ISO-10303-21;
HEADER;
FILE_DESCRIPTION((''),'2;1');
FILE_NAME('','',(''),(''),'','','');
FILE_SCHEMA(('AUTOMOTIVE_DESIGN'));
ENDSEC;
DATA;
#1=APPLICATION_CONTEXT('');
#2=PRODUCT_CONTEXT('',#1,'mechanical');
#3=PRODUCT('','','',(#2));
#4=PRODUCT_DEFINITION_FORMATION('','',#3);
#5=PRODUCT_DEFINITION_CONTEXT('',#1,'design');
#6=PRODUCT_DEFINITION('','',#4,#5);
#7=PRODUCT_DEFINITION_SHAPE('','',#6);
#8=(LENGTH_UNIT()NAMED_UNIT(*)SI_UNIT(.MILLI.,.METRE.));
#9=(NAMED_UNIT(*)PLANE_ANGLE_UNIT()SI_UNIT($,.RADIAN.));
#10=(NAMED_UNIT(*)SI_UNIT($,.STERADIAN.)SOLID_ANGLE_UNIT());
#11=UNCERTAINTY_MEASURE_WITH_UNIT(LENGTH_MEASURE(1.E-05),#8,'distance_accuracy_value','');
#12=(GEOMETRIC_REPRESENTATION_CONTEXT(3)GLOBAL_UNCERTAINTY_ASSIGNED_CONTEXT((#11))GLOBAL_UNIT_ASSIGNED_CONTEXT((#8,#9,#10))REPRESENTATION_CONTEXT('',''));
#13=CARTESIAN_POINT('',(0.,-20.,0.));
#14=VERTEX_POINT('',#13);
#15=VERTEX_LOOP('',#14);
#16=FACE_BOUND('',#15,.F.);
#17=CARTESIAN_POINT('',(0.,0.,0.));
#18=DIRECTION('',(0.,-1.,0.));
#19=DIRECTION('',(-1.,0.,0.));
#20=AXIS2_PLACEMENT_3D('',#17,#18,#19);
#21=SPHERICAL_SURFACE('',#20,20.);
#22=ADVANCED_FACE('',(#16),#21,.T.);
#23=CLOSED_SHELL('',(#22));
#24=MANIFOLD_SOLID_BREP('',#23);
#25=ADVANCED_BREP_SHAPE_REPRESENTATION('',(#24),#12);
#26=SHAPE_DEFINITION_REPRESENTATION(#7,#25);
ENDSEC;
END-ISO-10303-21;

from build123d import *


with BuildPart() as part:
    # Sketch1 one side → Revolve1 (revolve)
    with BuildSketch(Plane.XY):
        with BuildLine():
            Line((0, -20), (0, 20))
            ThreePointArc((0, 20), (-20, 0), (0, -20))
        make_face()
    revolve(axis=Axis((0, 0, 0), (0, 1, 0)))


solid = part.part
